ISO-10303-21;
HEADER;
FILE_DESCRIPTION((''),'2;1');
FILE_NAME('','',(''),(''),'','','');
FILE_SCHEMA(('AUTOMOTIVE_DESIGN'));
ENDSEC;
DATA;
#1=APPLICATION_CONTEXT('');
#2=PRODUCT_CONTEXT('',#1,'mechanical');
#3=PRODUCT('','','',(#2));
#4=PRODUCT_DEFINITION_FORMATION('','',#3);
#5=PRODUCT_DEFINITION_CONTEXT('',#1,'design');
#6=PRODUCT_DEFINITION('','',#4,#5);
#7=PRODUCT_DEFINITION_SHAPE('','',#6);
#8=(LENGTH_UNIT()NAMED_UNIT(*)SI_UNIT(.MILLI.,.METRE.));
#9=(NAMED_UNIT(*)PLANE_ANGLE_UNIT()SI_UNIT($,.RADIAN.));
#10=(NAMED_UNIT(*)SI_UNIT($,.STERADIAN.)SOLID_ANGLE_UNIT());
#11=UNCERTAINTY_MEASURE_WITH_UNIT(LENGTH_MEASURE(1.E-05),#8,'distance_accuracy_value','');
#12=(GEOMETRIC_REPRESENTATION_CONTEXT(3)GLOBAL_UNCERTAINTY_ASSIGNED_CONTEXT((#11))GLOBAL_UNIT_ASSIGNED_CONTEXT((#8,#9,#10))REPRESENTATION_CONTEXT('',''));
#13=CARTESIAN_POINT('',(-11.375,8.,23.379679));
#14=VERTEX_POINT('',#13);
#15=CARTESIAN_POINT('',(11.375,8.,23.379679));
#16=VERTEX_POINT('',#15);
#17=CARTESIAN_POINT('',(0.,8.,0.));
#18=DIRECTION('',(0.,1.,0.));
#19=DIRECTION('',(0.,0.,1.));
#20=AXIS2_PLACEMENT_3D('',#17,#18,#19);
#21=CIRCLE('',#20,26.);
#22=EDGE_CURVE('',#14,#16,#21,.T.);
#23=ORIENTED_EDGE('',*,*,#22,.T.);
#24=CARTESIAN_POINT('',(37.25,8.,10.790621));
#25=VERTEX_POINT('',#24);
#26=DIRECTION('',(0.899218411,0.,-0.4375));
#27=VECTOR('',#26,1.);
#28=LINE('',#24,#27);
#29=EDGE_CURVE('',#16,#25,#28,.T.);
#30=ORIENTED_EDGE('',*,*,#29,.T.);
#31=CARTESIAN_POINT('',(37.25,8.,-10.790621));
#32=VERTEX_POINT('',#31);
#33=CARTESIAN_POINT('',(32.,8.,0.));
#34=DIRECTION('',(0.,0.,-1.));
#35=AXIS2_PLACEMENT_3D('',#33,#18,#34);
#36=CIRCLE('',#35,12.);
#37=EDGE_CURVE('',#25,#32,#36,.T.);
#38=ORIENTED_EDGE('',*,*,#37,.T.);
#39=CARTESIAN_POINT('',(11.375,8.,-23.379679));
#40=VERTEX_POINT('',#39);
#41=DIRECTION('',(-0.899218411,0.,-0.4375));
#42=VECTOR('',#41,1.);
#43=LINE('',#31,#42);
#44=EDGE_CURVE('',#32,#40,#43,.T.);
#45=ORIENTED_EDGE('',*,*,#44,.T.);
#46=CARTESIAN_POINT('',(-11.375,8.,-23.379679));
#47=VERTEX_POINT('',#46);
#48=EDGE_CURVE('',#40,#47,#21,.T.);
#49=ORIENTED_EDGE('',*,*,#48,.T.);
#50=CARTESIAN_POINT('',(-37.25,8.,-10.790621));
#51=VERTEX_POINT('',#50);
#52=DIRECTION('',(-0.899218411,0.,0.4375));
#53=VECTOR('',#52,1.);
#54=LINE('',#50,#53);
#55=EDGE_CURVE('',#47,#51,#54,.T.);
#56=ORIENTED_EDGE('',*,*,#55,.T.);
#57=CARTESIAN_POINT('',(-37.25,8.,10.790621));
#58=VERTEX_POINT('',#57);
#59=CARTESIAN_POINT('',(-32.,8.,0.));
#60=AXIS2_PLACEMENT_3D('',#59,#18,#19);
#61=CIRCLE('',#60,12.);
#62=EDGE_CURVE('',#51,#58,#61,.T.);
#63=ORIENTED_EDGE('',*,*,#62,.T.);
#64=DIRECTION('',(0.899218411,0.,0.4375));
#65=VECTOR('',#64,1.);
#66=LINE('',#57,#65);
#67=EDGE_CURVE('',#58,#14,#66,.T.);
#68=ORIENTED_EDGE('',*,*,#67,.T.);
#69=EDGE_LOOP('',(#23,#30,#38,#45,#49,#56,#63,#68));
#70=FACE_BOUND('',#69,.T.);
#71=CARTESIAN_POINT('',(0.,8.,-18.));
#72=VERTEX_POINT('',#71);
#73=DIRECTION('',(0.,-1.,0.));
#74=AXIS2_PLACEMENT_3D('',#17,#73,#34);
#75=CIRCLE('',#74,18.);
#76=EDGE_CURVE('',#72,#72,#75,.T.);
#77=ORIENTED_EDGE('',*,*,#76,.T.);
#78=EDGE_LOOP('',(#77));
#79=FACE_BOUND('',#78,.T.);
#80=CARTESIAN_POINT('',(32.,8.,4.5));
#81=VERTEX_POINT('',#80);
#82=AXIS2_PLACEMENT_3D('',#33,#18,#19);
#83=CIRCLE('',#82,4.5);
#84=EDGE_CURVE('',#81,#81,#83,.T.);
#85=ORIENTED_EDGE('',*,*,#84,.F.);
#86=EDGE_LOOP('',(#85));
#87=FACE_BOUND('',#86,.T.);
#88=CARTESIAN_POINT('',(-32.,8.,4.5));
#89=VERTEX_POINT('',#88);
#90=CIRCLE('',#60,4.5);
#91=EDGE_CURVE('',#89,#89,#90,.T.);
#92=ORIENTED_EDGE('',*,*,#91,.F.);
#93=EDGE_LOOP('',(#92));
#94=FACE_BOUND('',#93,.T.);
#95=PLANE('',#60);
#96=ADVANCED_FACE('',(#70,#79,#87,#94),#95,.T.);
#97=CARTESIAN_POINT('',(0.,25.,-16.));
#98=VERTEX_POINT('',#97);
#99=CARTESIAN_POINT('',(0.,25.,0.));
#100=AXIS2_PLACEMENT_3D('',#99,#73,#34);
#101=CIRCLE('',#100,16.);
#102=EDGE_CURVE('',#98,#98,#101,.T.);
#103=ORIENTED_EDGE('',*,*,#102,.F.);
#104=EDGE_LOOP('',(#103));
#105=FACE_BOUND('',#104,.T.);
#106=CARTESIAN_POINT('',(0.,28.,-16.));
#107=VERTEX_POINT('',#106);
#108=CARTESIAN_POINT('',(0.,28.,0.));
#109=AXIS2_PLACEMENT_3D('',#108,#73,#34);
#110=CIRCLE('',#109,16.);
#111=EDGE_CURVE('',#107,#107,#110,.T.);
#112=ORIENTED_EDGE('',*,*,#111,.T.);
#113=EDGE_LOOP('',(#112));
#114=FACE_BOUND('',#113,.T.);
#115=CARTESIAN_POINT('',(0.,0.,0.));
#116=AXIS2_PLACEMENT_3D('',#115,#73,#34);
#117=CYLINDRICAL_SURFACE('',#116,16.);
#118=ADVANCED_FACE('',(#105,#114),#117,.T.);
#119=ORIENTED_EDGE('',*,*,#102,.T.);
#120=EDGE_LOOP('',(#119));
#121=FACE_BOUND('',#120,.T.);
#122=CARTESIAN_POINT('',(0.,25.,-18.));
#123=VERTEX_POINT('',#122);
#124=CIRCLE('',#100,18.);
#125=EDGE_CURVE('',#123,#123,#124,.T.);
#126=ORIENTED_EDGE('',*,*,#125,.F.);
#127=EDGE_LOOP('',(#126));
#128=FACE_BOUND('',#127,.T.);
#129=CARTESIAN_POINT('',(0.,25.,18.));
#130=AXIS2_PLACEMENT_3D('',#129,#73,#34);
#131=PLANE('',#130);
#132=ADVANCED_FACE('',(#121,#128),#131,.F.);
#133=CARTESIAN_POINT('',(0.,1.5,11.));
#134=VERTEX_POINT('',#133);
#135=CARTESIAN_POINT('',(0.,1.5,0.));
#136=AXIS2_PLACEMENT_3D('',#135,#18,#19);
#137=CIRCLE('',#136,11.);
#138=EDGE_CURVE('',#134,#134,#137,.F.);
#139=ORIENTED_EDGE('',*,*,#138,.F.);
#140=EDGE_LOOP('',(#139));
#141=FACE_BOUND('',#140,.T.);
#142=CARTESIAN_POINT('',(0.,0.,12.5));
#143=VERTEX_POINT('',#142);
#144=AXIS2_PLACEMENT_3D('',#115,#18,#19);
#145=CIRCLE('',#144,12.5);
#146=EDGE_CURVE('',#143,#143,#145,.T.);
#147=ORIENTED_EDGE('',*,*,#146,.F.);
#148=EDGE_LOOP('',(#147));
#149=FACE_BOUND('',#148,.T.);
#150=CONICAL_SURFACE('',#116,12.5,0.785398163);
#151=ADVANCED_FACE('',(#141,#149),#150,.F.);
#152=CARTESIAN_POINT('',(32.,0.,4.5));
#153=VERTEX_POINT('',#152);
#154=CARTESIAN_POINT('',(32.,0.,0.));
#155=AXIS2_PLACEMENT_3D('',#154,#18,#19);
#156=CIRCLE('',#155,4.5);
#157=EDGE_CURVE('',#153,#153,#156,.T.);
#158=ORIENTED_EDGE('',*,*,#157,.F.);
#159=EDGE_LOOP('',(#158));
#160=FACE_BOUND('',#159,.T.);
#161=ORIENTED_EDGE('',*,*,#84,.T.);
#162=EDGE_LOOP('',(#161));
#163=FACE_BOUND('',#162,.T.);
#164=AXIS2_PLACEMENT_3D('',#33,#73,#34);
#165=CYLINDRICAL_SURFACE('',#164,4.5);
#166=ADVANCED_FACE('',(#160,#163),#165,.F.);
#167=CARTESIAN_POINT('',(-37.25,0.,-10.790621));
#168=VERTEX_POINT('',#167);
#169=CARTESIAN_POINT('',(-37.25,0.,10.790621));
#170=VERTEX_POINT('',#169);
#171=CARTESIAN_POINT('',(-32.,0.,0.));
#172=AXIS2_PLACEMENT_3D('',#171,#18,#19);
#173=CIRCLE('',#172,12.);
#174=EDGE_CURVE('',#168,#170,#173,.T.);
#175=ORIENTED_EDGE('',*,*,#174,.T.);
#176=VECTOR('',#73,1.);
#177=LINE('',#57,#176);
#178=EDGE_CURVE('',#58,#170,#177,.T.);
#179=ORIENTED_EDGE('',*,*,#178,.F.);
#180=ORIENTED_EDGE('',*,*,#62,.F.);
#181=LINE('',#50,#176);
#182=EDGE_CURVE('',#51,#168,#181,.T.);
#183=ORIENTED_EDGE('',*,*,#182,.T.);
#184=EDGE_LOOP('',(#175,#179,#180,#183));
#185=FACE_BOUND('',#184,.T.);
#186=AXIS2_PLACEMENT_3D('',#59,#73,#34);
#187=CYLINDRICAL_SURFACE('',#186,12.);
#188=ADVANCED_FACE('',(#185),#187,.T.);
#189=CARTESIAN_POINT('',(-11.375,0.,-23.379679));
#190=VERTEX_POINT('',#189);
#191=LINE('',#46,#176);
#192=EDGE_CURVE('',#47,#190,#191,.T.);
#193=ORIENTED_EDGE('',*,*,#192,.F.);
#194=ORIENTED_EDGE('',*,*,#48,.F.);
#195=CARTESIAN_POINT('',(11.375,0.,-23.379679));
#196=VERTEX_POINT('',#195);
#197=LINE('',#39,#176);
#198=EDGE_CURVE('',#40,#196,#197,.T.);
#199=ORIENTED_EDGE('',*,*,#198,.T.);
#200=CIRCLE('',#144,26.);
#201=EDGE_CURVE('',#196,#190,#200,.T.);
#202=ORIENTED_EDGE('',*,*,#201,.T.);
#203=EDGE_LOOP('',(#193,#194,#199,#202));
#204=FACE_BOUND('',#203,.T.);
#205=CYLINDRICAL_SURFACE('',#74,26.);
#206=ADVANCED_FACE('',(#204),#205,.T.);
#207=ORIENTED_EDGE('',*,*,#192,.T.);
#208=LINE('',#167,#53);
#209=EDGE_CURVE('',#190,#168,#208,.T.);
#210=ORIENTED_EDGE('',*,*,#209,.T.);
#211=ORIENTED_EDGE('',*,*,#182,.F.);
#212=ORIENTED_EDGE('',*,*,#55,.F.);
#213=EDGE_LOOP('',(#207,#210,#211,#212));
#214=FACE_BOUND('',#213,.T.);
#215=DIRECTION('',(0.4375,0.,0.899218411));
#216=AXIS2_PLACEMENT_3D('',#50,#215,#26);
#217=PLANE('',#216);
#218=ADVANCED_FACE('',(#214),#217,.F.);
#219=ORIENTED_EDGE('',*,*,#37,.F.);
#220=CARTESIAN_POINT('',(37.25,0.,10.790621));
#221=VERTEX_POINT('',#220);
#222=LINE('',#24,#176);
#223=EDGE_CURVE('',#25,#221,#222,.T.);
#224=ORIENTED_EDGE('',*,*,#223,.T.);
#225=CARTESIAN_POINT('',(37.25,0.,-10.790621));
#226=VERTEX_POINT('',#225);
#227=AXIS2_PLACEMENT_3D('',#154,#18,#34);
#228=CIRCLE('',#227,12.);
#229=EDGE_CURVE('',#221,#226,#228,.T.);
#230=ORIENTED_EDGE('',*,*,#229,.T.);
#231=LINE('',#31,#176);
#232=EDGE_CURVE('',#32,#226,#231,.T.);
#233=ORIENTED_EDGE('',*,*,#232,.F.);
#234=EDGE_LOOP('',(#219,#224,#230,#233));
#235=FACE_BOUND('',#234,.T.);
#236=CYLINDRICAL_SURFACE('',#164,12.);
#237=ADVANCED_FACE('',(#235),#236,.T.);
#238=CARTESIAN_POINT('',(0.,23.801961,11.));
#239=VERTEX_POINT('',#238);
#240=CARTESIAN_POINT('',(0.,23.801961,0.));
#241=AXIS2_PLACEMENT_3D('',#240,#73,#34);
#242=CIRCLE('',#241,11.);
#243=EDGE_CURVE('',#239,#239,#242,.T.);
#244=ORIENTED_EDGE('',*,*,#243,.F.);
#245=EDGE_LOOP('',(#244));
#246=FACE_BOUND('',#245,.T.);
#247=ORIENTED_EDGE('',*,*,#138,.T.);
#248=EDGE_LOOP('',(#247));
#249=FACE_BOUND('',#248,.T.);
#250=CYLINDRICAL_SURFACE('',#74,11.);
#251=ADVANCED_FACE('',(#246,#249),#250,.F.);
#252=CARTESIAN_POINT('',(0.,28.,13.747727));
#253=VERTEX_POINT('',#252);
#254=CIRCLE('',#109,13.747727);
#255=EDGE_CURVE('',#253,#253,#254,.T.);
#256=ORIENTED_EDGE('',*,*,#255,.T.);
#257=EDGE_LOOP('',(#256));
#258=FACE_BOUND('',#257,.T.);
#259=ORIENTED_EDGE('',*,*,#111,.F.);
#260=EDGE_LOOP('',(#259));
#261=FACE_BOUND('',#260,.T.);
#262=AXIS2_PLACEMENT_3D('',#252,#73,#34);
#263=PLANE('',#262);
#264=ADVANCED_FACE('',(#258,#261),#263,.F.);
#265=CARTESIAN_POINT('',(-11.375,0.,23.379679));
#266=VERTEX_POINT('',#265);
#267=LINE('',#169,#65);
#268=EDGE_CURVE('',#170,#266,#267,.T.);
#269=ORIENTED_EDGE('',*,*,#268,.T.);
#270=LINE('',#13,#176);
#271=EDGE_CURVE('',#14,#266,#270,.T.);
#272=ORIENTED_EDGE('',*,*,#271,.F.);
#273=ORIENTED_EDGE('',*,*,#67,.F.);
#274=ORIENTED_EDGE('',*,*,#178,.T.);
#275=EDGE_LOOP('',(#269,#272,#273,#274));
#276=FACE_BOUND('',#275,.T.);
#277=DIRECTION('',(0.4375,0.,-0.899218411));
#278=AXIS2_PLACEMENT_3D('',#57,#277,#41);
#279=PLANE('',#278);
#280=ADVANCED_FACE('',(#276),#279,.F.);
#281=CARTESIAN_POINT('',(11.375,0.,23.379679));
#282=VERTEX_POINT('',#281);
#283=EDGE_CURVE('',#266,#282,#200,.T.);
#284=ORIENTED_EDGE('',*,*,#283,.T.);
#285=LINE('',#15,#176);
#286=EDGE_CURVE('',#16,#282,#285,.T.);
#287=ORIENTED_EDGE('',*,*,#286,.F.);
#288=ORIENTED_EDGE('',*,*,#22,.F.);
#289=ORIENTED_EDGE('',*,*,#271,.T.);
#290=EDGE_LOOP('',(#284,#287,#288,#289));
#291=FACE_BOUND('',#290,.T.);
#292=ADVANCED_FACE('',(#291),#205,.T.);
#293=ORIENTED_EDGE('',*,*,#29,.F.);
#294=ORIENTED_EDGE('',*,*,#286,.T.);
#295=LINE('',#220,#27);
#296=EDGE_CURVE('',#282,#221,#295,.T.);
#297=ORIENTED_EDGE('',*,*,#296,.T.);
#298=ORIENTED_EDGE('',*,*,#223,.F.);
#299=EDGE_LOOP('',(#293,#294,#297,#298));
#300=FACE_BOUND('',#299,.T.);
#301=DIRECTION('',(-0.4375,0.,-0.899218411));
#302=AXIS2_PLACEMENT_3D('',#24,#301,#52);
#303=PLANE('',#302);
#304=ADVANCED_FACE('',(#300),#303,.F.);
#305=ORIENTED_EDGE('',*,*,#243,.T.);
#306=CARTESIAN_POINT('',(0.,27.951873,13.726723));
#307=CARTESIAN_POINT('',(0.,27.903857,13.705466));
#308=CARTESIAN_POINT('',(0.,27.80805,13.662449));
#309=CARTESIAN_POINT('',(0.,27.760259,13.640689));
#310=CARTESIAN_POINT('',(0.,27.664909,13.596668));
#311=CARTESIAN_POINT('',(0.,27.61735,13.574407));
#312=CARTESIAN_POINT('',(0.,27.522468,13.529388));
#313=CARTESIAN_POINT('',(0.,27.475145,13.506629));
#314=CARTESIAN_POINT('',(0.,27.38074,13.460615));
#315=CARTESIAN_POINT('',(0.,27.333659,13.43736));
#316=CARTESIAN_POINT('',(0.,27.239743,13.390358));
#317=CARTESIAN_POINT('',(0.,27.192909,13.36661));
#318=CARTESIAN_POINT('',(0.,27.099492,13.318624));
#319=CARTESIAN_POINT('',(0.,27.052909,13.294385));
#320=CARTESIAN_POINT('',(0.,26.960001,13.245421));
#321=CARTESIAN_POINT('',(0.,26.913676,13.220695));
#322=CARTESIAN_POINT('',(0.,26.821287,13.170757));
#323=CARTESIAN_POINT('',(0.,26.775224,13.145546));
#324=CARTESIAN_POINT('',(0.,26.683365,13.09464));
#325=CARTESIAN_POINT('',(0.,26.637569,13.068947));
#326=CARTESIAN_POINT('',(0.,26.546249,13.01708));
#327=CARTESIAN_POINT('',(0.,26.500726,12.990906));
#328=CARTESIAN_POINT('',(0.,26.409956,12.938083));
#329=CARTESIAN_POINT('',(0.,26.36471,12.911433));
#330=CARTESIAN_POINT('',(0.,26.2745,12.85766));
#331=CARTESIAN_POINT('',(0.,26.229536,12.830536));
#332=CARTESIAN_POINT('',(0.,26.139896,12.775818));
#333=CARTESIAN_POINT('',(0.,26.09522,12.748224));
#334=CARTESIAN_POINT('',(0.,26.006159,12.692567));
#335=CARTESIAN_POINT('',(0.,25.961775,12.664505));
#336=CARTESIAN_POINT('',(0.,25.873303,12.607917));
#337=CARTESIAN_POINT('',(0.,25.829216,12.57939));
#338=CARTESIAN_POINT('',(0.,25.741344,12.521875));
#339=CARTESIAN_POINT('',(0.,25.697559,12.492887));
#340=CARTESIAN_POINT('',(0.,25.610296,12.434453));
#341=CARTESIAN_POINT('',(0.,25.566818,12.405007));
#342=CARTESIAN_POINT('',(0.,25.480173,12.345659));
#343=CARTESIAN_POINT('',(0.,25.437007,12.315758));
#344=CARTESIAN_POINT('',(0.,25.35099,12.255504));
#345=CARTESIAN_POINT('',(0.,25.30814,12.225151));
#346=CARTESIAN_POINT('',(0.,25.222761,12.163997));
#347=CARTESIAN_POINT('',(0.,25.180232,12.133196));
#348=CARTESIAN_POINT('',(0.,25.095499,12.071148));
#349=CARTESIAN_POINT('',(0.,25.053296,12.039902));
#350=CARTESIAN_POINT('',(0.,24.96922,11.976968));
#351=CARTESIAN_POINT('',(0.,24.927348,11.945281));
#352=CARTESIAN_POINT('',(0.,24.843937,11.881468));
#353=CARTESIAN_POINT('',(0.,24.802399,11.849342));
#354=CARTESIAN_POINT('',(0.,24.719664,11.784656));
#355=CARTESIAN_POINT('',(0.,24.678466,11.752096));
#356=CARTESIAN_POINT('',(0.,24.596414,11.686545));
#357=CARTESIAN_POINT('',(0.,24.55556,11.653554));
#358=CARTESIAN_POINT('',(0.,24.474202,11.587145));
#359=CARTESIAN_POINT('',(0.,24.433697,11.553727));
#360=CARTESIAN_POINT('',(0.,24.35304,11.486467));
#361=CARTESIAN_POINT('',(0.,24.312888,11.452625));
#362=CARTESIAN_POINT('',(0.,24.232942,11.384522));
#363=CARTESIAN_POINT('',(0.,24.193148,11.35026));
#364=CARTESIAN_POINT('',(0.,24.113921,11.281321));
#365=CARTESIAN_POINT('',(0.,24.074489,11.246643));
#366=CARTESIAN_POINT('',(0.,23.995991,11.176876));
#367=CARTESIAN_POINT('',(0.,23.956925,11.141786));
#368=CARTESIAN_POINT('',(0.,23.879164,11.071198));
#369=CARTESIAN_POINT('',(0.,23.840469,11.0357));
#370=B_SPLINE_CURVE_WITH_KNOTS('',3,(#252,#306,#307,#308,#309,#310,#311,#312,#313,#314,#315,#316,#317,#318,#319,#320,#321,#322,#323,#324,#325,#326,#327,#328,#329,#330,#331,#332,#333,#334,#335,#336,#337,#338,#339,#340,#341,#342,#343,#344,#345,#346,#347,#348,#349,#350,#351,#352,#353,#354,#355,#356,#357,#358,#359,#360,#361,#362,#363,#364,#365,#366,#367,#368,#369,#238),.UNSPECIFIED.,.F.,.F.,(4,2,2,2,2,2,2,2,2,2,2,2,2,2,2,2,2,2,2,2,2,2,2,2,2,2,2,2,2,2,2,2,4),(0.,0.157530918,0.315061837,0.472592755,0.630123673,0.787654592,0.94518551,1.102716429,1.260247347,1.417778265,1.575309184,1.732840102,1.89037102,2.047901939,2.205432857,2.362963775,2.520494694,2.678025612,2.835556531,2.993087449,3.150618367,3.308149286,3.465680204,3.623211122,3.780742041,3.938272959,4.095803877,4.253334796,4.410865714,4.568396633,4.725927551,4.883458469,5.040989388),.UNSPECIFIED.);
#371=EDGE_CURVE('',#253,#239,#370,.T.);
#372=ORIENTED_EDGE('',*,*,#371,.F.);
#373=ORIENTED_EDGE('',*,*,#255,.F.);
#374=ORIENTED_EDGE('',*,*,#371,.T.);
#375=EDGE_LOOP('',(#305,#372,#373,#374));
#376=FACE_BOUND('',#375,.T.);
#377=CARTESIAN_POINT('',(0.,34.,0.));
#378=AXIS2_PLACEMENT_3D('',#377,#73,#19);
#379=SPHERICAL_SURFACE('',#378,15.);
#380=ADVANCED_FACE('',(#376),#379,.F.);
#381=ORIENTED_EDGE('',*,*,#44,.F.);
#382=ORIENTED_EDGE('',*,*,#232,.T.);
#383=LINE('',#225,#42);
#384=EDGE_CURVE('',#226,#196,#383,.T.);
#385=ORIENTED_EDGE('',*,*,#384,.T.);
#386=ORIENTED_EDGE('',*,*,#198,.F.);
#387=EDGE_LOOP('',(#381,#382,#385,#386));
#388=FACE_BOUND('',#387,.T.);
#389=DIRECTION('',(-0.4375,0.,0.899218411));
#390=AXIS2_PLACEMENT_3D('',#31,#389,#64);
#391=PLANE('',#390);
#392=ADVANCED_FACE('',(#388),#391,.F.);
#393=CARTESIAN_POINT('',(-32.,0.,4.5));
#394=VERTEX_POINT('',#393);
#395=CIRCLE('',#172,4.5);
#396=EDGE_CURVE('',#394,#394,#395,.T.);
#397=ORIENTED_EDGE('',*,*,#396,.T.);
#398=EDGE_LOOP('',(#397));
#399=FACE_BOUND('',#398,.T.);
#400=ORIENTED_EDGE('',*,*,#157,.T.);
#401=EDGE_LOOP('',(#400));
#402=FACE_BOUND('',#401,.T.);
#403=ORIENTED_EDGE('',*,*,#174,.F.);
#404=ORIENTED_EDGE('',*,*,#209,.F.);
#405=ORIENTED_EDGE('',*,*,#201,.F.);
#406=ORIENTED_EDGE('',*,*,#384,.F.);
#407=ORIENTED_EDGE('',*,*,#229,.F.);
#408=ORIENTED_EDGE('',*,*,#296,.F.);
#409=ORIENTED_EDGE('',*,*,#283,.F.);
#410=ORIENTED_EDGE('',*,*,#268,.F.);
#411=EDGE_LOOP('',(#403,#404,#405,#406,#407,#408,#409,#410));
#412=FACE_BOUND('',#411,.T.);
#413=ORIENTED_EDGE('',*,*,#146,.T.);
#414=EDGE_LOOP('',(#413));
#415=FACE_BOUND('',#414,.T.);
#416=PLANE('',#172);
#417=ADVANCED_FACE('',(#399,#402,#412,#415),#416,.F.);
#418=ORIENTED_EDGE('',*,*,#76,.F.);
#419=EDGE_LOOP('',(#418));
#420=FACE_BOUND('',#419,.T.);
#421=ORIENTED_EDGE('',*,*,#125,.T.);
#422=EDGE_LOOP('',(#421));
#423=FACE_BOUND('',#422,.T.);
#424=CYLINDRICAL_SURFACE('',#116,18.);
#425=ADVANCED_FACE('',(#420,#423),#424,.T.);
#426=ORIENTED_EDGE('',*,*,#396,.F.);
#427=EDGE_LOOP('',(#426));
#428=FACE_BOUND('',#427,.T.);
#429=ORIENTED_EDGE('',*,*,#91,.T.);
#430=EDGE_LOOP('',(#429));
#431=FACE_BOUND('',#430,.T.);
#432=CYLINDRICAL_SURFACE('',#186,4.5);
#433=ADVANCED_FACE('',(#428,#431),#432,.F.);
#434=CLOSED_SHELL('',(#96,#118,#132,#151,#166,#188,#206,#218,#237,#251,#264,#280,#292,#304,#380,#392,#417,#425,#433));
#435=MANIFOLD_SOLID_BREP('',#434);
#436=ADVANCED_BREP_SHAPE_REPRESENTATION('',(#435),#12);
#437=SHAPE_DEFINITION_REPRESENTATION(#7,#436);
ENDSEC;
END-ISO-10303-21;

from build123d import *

# Parameters (mm, degrees)
SKETCH_1_R      = 4.5
SKETCH_1_R_2    = 11
EXTRUDE_1_DEPTH = 8
CHAMFER_1_SIZE  = 1.5


with BuildPart() as part:
    # 草图1 → 凸台-拉伸1 (new body)
    with BuildSketch(Plane(origin=(0, 0, 0), x_dir=(1, 0, 0), z_dir=(0, 1, 0))):
        with BuildLine():
            Line((-37.25, 10.790620927), (-11.375, 23.379678676))
            ThreePointArc((-11.375, 23.379678676), (0, 26), (11.375, 23.379678676))
            Line((11.375, 23.379678676), (37.25, 10.790620927))
            ThreePointArc((37.25, 10.790620927), (44, 0), (37.25, -10.790620927))
            Line((37.25, -10.790620927), (11.375, -23.379678676))
            ThreePointArc((11.375, -23.379678676), (0, -26), (-11.375, -23.379678676))
            Line((-11.375, -23.379678676), (-37.25, -10.790620927))
            ThreePointArc((-37.25, -10.790620927), (-44, 0), (-37.25, 10.790620927))
        make_face()
        with Locations(Location((-32, 0, 0), (0, 0, 270))):
            Circle(SKETCH_1_R, mode=Mode.SUBTRACT)
        with Locations(Location((32, 0, 0), (0, 0, 270))):
            Circle(SKETCH_1_R, mode=Mode.SUBTRACT)
        with Locations(Location((0, 0, 0), (0, 0, 270))):
            Circle(SKETCH_1_R_2, mode=Mode.SUBTRACT)
    extrude(amount=EXTRUDE_1_DEPTH)

    # 草图2 → 旋转1 (revolve)
    with BuildSketch(Plane(origin=(0, 0, 0), x_dir=(0, 0, -1), z_dir=(1, 0, 0))):
        with BuildLine():
            Line((-18, 8), (-11, 8))
            Line((-11, 8), (-11, 23.801960973))
            ThreePointArc((-11, 23.801960973), (-12.550632728, 25.7852804), (-13.747727085, 28))
            Line((-13.747727085, 28), (-16, 28))
            Line((-16, 28), (-16, 25))
            Line((-16, 25), (-18, 25))
            Line((-18, 25), (-18, 8))
        make_face()
    revolve(axis=Axis((0, 0, 0), (0, 1, 0)))

    # 倒角1
    chamfer_1_edges = [part.edges().sort_by_distance(p)[0] for p in [
        (0, 0, -11),
    ]]
    chamfer(chamfer_1_edges, length=CHAMFER_1_SIZE)


solid = part.part
